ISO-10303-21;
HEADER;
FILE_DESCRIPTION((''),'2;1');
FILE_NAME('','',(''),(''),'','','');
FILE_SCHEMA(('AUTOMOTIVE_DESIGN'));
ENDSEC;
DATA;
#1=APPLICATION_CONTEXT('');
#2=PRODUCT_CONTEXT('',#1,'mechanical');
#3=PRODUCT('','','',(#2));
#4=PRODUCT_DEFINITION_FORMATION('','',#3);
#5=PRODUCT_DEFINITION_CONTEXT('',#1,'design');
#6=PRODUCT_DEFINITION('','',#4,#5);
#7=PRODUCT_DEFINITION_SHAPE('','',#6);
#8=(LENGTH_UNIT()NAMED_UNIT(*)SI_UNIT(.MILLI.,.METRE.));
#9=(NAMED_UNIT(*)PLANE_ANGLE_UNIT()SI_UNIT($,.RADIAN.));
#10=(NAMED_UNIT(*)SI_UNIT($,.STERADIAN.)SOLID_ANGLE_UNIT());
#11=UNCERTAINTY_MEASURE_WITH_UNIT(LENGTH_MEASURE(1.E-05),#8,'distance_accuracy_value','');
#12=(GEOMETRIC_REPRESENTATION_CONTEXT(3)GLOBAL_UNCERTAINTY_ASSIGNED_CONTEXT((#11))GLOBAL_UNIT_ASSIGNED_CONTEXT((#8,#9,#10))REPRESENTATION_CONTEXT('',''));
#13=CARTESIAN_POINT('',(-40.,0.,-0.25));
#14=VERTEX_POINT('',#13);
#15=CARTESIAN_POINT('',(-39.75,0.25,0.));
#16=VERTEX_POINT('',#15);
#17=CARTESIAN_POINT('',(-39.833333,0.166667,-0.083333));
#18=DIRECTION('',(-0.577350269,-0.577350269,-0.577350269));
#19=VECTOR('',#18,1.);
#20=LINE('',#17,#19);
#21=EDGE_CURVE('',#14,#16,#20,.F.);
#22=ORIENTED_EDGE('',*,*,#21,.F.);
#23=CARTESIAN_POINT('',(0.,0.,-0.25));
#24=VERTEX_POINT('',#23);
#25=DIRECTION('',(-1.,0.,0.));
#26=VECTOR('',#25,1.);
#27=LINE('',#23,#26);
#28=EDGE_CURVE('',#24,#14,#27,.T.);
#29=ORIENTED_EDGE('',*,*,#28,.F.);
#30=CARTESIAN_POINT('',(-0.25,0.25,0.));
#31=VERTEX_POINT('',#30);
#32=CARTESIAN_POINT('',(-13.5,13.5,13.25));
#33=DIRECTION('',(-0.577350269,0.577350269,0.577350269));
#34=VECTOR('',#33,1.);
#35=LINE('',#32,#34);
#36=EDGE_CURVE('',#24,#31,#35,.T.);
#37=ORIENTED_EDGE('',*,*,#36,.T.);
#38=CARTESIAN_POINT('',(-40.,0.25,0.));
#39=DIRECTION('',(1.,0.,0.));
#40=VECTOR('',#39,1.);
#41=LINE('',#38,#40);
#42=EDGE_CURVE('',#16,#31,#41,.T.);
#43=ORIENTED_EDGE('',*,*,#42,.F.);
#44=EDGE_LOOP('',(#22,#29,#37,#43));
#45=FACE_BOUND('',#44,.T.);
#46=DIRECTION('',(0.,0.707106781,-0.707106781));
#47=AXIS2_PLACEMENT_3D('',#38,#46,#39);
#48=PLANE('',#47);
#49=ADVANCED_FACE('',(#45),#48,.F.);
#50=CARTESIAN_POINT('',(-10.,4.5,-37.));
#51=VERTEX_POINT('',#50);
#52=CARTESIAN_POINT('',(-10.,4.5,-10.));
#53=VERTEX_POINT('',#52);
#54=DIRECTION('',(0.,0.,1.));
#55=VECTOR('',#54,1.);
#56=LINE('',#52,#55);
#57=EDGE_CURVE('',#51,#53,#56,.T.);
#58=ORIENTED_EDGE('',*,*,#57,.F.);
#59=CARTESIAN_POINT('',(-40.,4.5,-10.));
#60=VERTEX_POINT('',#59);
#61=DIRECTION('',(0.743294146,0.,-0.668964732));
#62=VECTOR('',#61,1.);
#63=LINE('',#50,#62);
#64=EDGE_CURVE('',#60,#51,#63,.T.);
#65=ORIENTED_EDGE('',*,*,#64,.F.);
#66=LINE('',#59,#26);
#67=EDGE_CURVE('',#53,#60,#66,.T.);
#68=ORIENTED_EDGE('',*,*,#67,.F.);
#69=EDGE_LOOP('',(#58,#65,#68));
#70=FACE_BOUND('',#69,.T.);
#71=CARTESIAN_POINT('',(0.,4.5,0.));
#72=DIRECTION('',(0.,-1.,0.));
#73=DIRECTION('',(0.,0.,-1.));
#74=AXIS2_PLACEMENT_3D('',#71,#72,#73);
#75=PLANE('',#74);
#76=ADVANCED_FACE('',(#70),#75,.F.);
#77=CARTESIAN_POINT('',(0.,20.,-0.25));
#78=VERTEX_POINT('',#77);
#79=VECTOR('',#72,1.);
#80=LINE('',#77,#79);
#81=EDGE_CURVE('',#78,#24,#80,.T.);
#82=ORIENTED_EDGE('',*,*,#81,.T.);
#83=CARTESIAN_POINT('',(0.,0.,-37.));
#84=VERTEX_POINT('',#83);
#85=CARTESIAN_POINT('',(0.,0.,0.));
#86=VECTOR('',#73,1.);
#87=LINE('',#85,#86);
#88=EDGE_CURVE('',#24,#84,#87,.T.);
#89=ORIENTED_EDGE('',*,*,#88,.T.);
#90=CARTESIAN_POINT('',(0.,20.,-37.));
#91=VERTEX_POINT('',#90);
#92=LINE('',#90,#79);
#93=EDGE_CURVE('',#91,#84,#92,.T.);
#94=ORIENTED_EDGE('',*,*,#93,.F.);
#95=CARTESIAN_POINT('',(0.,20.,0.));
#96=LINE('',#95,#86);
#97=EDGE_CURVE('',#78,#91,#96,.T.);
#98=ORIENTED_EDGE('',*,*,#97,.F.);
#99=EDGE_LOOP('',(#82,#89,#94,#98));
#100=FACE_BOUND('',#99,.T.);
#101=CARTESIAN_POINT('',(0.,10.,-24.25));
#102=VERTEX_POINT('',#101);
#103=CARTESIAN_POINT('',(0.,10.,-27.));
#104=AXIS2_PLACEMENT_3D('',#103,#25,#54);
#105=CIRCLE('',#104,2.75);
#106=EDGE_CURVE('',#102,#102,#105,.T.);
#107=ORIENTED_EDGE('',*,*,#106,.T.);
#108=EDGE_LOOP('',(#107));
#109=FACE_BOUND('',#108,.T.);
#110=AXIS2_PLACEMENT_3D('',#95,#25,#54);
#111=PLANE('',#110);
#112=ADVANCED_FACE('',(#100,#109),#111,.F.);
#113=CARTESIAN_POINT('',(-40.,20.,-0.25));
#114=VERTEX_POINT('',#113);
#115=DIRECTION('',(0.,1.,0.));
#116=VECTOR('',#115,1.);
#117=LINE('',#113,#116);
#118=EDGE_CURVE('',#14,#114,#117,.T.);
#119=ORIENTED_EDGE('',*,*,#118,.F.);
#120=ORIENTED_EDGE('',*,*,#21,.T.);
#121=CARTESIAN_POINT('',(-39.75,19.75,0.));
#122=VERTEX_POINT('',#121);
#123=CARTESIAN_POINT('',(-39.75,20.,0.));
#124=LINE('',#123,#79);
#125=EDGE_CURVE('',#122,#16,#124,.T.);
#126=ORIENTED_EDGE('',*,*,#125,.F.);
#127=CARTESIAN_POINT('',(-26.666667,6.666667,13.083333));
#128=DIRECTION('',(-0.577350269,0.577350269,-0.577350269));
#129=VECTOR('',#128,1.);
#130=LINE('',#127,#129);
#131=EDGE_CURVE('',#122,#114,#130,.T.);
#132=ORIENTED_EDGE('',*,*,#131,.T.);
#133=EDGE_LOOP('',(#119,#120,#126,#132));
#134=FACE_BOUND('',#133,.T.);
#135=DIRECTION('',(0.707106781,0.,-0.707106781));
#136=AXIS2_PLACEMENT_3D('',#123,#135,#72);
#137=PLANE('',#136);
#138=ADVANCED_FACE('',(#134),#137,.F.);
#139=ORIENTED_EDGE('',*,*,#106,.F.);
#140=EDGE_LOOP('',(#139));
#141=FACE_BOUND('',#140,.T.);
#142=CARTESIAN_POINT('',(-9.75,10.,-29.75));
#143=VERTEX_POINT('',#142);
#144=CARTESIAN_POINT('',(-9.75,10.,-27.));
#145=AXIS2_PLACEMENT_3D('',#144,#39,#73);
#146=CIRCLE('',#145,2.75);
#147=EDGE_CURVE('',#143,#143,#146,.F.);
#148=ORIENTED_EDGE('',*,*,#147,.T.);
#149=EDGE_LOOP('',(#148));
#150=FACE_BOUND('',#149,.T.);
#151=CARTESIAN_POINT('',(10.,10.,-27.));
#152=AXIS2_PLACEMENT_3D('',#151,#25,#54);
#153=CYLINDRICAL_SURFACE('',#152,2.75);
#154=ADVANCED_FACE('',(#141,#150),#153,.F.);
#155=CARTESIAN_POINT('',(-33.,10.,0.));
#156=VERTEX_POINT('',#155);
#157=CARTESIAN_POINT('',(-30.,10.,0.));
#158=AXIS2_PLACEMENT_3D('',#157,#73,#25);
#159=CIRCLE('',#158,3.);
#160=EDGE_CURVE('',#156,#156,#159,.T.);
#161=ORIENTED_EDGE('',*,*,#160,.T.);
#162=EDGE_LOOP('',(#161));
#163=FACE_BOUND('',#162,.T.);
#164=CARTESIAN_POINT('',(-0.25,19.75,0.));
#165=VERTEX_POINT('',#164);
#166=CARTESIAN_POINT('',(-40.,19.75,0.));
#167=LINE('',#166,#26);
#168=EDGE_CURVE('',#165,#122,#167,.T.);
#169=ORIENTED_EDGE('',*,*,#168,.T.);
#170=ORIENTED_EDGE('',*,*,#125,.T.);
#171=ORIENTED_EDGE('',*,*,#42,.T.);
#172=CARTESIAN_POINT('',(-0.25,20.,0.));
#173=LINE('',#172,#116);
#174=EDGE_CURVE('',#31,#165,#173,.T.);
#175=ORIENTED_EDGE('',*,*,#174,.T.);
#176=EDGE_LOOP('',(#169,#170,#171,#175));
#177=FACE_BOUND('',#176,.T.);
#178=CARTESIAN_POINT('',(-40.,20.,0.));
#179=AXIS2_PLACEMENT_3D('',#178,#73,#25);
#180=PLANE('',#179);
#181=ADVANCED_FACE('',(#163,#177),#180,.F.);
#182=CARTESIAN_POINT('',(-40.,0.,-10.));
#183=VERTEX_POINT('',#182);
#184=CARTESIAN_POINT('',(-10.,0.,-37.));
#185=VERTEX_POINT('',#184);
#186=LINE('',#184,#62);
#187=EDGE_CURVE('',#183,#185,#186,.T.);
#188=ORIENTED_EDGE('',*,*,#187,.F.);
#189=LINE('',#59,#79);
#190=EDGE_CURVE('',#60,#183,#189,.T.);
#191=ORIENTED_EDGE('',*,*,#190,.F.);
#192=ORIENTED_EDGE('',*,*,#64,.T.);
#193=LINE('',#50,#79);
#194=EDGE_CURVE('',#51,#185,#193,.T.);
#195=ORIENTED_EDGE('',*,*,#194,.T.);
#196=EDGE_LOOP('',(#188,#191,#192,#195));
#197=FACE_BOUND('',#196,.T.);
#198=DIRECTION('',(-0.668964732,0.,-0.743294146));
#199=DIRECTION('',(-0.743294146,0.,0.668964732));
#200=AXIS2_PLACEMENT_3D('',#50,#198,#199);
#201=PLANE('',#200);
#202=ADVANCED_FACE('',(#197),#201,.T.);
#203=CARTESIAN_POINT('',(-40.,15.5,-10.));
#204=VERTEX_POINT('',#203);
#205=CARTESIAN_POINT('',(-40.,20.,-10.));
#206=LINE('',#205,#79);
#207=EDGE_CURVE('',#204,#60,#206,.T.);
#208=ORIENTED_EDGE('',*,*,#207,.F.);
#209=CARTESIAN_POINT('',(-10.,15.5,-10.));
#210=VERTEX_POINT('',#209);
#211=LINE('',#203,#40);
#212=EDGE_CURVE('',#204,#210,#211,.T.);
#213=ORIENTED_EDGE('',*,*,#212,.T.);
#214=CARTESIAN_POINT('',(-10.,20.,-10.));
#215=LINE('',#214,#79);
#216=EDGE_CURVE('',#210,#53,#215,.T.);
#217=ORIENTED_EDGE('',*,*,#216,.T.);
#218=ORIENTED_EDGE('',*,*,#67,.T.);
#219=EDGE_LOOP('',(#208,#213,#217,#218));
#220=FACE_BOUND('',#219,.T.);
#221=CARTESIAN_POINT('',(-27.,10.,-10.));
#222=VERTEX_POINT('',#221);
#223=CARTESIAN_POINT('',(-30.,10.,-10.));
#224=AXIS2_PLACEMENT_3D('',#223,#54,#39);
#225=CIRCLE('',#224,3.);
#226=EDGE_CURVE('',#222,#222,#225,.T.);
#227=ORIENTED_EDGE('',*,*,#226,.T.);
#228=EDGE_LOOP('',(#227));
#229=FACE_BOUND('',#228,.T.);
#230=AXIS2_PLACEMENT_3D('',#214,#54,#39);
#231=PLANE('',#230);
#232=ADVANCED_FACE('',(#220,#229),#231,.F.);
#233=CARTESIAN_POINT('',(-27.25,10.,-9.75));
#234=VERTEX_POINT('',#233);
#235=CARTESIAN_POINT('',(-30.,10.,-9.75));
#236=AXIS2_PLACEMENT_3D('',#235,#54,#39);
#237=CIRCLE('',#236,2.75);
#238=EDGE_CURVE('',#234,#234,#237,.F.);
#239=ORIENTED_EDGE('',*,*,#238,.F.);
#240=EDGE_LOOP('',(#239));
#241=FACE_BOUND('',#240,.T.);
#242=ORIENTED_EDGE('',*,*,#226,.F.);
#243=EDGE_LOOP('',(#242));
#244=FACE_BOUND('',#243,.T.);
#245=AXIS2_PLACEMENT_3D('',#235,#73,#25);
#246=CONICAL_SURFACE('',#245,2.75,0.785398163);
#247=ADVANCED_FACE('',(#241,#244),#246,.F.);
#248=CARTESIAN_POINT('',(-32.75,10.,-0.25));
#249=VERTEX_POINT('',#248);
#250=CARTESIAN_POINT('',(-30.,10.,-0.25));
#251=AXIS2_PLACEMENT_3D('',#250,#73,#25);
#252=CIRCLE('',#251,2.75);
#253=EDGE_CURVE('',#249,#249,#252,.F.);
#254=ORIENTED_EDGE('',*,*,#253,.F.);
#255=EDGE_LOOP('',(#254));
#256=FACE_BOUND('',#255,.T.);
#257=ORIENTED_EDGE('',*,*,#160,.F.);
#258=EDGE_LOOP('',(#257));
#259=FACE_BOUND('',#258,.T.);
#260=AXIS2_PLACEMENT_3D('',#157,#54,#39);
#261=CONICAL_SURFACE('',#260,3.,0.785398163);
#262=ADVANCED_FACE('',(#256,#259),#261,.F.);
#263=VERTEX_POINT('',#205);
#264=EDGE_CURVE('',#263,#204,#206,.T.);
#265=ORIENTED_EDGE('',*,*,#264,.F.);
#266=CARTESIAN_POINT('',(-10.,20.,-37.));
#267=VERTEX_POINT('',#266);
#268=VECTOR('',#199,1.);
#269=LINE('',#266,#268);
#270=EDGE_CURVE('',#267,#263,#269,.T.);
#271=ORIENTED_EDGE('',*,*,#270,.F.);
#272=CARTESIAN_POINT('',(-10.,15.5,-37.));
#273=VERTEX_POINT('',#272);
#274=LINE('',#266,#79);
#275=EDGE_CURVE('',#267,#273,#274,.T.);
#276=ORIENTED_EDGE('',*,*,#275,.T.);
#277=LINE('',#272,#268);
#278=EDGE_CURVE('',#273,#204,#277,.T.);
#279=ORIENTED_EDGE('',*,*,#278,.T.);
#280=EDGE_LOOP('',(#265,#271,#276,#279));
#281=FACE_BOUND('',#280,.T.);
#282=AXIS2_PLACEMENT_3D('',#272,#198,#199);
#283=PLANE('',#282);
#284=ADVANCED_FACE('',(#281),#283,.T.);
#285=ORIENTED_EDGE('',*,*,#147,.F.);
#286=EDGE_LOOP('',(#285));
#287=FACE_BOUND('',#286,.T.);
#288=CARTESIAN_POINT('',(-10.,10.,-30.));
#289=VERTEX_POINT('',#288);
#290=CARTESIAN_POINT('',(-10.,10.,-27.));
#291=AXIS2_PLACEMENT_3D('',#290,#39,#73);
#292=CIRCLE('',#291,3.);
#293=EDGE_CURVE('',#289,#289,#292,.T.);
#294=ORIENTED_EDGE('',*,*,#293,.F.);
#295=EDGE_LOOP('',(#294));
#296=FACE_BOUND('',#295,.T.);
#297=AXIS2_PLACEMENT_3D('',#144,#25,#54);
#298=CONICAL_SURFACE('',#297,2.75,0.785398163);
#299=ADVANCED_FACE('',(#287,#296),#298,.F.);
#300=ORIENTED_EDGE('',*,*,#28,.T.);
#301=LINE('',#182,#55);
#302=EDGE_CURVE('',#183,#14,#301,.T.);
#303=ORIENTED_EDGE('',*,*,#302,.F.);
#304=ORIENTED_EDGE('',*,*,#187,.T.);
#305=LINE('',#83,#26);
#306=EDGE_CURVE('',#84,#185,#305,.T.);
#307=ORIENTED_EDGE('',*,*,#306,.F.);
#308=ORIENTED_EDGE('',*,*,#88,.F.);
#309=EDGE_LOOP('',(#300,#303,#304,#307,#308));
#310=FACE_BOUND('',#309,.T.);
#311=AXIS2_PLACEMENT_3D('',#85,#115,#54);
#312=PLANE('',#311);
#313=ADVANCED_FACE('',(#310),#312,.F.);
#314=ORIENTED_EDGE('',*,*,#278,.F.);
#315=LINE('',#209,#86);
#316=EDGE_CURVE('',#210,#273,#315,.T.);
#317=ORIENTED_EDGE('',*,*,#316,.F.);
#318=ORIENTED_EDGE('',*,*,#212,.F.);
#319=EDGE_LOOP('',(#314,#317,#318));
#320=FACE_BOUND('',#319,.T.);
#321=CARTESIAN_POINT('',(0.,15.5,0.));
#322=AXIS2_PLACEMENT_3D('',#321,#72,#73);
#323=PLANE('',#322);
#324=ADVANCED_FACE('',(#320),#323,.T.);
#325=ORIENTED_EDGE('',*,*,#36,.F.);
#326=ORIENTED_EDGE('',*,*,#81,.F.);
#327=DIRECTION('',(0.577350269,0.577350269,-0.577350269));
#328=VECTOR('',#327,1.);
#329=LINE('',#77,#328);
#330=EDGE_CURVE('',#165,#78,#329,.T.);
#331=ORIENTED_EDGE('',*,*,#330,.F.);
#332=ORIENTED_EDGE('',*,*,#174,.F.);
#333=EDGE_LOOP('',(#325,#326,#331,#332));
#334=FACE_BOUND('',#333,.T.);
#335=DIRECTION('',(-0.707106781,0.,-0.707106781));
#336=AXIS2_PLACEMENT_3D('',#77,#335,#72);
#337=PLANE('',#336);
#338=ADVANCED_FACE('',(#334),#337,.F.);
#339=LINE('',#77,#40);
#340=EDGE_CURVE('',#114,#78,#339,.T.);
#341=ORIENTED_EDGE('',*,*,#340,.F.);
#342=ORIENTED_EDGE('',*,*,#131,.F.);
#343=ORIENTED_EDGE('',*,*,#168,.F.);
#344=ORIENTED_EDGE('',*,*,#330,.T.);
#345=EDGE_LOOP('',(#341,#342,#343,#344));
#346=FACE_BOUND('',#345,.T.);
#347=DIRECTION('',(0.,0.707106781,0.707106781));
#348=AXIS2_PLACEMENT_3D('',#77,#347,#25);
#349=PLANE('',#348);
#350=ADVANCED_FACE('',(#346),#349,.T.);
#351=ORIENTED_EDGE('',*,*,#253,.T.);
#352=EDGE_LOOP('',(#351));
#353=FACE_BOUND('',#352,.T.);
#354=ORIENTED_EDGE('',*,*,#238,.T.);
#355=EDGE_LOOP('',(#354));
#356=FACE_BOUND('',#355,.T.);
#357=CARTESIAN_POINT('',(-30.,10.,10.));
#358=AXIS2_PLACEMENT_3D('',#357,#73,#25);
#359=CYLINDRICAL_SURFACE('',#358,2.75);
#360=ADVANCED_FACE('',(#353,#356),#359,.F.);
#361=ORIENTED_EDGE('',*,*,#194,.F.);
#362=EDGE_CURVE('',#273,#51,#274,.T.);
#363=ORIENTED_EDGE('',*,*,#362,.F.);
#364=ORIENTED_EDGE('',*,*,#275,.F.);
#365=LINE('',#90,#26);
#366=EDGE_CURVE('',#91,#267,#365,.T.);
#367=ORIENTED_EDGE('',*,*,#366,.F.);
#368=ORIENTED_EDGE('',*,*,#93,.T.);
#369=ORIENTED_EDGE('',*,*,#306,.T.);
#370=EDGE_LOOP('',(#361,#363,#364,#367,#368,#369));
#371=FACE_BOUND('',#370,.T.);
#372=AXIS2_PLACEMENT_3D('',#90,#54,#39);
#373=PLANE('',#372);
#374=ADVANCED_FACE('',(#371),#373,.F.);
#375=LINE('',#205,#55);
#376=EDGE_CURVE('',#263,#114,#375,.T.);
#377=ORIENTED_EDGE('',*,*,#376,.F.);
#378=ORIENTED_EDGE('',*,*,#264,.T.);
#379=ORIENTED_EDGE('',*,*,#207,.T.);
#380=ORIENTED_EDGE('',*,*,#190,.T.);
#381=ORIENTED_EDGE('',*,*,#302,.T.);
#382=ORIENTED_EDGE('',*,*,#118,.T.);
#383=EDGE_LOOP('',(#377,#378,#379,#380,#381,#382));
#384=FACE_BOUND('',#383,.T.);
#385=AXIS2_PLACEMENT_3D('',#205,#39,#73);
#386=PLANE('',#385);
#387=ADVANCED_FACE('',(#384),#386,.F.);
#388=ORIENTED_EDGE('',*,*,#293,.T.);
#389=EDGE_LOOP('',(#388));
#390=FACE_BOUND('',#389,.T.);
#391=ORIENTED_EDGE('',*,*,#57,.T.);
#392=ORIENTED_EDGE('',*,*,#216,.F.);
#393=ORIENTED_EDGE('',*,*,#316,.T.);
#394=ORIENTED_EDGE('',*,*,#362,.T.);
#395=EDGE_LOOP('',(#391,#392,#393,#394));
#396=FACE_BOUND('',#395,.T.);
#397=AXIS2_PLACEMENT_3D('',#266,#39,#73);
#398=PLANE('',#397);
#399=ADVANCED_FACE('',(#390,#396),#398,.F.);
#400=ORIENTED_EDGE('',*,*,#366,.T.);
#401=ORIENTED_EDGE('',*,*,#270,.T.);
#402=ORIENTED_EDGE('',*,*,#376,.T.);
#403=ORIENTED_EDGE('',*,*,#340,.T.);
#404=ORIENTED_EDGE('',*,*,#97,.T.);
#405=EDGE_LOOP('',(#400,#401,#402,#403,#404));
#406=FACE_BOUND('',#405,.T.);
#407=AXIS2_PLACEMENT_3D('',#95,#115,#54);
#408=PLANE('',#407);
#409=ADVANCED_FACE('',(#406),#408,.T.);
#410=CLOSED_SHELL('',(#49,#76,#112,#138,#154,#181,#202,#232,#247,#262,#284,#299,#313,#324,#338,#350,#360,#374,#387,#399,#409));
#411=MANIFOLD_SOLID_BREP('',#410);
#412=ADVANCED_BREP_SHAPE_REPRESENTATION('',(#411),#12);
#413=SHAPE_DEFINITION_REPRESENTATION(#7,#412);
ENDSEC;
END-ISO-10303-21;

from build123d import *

# Parameters (mm, degrees)
BOSS_EXTRUDE1_DEPTH = 20
SKETCH2_R           = 2.75
CUT_EXTRUDE1_DEPTH  = 20
SKETCH3_R           = 2.75
CUT_EXTRUDE2_DEPTH  = 20
BOSS_EXTRUDE2_DEPTH = 4.5
BOSS_EXTRUDE3_DEPTH = 4.5
CHAMFER1_SIZE       = 0.25


with BuildPart() as part:
    # Sketch1 → Boss-Extrude1 (new body)
    with BuildSketch(Plane(origin=(0, 0, 0), x_dir=(1, 0, 0), z_dir=(0, 1, 0))):
        Polygon((0, 37), (-10, 37), (-10, 10), (-40, 10), (-40, 0), (0, 0), align=None)
    extrude(amount=BOSS_EXTRUDE1_DEPTH)

    # Sketch2 → Cut-Extrude1 (cut)
    with BuildSketch(Plane.ZY.offset(10)):
        with Locations((-27, 10)):
            Circle(SKETCH2_R)
    extrude(amount=-CUT_EXTRUDE1_DEPTH, mode=Mode.SUBTRACT)

    # Sketch3 → Cut-Extrude2 (cut)
    with BuildSketch(Plane(origin=(0, 0, -10), x_dir=(-1, 0, 0), z_dir=(0, 0, -1))):
        with Locations((30, 10)):
            Circle(SKETCH3_R)
    extrude(amount=-CUT_EXTRUDE2_DEPTH, mode=Mode.SUBTRACT)

    # Sketch4 → Boss-Extrude2 (add)
    with BuildSketch(Plane.XZ):
        Polygon((-40, -10), (-10, -10), (-10, -37), align=None)
    extrude(amount=-BOSS_EXTRUDE2_DEPTH)

    # Sketch5 → Boss-Extrude3 (add)
    with BuildSketch(Plane(origin=(0, 20, 0), x_dir=(1, 0, 0), z_dir=(0, 1, 0))):
        Polygon((-40, 10), (-10, 10), (-10, 37), align=None)
    extrude(amount=-BOSS_EXTRUDE3_DEPTH)

    # Chamfer1
    chamfer1_edges = [part.edges().sort_by_distance(p)[0] for p in [
        (0, 10, 0),
        (-40, 10, 0),
        (-10, 10, -29.75),
        (-20, 20, 0),
        (-27.25, 10, 0),
        (-27.25, 10, -10),
        (-20, 0, 0),
    ]]
    chamfer(chamfer1_edges, length=CHAMFER1_SIZE)


solid = part.part
